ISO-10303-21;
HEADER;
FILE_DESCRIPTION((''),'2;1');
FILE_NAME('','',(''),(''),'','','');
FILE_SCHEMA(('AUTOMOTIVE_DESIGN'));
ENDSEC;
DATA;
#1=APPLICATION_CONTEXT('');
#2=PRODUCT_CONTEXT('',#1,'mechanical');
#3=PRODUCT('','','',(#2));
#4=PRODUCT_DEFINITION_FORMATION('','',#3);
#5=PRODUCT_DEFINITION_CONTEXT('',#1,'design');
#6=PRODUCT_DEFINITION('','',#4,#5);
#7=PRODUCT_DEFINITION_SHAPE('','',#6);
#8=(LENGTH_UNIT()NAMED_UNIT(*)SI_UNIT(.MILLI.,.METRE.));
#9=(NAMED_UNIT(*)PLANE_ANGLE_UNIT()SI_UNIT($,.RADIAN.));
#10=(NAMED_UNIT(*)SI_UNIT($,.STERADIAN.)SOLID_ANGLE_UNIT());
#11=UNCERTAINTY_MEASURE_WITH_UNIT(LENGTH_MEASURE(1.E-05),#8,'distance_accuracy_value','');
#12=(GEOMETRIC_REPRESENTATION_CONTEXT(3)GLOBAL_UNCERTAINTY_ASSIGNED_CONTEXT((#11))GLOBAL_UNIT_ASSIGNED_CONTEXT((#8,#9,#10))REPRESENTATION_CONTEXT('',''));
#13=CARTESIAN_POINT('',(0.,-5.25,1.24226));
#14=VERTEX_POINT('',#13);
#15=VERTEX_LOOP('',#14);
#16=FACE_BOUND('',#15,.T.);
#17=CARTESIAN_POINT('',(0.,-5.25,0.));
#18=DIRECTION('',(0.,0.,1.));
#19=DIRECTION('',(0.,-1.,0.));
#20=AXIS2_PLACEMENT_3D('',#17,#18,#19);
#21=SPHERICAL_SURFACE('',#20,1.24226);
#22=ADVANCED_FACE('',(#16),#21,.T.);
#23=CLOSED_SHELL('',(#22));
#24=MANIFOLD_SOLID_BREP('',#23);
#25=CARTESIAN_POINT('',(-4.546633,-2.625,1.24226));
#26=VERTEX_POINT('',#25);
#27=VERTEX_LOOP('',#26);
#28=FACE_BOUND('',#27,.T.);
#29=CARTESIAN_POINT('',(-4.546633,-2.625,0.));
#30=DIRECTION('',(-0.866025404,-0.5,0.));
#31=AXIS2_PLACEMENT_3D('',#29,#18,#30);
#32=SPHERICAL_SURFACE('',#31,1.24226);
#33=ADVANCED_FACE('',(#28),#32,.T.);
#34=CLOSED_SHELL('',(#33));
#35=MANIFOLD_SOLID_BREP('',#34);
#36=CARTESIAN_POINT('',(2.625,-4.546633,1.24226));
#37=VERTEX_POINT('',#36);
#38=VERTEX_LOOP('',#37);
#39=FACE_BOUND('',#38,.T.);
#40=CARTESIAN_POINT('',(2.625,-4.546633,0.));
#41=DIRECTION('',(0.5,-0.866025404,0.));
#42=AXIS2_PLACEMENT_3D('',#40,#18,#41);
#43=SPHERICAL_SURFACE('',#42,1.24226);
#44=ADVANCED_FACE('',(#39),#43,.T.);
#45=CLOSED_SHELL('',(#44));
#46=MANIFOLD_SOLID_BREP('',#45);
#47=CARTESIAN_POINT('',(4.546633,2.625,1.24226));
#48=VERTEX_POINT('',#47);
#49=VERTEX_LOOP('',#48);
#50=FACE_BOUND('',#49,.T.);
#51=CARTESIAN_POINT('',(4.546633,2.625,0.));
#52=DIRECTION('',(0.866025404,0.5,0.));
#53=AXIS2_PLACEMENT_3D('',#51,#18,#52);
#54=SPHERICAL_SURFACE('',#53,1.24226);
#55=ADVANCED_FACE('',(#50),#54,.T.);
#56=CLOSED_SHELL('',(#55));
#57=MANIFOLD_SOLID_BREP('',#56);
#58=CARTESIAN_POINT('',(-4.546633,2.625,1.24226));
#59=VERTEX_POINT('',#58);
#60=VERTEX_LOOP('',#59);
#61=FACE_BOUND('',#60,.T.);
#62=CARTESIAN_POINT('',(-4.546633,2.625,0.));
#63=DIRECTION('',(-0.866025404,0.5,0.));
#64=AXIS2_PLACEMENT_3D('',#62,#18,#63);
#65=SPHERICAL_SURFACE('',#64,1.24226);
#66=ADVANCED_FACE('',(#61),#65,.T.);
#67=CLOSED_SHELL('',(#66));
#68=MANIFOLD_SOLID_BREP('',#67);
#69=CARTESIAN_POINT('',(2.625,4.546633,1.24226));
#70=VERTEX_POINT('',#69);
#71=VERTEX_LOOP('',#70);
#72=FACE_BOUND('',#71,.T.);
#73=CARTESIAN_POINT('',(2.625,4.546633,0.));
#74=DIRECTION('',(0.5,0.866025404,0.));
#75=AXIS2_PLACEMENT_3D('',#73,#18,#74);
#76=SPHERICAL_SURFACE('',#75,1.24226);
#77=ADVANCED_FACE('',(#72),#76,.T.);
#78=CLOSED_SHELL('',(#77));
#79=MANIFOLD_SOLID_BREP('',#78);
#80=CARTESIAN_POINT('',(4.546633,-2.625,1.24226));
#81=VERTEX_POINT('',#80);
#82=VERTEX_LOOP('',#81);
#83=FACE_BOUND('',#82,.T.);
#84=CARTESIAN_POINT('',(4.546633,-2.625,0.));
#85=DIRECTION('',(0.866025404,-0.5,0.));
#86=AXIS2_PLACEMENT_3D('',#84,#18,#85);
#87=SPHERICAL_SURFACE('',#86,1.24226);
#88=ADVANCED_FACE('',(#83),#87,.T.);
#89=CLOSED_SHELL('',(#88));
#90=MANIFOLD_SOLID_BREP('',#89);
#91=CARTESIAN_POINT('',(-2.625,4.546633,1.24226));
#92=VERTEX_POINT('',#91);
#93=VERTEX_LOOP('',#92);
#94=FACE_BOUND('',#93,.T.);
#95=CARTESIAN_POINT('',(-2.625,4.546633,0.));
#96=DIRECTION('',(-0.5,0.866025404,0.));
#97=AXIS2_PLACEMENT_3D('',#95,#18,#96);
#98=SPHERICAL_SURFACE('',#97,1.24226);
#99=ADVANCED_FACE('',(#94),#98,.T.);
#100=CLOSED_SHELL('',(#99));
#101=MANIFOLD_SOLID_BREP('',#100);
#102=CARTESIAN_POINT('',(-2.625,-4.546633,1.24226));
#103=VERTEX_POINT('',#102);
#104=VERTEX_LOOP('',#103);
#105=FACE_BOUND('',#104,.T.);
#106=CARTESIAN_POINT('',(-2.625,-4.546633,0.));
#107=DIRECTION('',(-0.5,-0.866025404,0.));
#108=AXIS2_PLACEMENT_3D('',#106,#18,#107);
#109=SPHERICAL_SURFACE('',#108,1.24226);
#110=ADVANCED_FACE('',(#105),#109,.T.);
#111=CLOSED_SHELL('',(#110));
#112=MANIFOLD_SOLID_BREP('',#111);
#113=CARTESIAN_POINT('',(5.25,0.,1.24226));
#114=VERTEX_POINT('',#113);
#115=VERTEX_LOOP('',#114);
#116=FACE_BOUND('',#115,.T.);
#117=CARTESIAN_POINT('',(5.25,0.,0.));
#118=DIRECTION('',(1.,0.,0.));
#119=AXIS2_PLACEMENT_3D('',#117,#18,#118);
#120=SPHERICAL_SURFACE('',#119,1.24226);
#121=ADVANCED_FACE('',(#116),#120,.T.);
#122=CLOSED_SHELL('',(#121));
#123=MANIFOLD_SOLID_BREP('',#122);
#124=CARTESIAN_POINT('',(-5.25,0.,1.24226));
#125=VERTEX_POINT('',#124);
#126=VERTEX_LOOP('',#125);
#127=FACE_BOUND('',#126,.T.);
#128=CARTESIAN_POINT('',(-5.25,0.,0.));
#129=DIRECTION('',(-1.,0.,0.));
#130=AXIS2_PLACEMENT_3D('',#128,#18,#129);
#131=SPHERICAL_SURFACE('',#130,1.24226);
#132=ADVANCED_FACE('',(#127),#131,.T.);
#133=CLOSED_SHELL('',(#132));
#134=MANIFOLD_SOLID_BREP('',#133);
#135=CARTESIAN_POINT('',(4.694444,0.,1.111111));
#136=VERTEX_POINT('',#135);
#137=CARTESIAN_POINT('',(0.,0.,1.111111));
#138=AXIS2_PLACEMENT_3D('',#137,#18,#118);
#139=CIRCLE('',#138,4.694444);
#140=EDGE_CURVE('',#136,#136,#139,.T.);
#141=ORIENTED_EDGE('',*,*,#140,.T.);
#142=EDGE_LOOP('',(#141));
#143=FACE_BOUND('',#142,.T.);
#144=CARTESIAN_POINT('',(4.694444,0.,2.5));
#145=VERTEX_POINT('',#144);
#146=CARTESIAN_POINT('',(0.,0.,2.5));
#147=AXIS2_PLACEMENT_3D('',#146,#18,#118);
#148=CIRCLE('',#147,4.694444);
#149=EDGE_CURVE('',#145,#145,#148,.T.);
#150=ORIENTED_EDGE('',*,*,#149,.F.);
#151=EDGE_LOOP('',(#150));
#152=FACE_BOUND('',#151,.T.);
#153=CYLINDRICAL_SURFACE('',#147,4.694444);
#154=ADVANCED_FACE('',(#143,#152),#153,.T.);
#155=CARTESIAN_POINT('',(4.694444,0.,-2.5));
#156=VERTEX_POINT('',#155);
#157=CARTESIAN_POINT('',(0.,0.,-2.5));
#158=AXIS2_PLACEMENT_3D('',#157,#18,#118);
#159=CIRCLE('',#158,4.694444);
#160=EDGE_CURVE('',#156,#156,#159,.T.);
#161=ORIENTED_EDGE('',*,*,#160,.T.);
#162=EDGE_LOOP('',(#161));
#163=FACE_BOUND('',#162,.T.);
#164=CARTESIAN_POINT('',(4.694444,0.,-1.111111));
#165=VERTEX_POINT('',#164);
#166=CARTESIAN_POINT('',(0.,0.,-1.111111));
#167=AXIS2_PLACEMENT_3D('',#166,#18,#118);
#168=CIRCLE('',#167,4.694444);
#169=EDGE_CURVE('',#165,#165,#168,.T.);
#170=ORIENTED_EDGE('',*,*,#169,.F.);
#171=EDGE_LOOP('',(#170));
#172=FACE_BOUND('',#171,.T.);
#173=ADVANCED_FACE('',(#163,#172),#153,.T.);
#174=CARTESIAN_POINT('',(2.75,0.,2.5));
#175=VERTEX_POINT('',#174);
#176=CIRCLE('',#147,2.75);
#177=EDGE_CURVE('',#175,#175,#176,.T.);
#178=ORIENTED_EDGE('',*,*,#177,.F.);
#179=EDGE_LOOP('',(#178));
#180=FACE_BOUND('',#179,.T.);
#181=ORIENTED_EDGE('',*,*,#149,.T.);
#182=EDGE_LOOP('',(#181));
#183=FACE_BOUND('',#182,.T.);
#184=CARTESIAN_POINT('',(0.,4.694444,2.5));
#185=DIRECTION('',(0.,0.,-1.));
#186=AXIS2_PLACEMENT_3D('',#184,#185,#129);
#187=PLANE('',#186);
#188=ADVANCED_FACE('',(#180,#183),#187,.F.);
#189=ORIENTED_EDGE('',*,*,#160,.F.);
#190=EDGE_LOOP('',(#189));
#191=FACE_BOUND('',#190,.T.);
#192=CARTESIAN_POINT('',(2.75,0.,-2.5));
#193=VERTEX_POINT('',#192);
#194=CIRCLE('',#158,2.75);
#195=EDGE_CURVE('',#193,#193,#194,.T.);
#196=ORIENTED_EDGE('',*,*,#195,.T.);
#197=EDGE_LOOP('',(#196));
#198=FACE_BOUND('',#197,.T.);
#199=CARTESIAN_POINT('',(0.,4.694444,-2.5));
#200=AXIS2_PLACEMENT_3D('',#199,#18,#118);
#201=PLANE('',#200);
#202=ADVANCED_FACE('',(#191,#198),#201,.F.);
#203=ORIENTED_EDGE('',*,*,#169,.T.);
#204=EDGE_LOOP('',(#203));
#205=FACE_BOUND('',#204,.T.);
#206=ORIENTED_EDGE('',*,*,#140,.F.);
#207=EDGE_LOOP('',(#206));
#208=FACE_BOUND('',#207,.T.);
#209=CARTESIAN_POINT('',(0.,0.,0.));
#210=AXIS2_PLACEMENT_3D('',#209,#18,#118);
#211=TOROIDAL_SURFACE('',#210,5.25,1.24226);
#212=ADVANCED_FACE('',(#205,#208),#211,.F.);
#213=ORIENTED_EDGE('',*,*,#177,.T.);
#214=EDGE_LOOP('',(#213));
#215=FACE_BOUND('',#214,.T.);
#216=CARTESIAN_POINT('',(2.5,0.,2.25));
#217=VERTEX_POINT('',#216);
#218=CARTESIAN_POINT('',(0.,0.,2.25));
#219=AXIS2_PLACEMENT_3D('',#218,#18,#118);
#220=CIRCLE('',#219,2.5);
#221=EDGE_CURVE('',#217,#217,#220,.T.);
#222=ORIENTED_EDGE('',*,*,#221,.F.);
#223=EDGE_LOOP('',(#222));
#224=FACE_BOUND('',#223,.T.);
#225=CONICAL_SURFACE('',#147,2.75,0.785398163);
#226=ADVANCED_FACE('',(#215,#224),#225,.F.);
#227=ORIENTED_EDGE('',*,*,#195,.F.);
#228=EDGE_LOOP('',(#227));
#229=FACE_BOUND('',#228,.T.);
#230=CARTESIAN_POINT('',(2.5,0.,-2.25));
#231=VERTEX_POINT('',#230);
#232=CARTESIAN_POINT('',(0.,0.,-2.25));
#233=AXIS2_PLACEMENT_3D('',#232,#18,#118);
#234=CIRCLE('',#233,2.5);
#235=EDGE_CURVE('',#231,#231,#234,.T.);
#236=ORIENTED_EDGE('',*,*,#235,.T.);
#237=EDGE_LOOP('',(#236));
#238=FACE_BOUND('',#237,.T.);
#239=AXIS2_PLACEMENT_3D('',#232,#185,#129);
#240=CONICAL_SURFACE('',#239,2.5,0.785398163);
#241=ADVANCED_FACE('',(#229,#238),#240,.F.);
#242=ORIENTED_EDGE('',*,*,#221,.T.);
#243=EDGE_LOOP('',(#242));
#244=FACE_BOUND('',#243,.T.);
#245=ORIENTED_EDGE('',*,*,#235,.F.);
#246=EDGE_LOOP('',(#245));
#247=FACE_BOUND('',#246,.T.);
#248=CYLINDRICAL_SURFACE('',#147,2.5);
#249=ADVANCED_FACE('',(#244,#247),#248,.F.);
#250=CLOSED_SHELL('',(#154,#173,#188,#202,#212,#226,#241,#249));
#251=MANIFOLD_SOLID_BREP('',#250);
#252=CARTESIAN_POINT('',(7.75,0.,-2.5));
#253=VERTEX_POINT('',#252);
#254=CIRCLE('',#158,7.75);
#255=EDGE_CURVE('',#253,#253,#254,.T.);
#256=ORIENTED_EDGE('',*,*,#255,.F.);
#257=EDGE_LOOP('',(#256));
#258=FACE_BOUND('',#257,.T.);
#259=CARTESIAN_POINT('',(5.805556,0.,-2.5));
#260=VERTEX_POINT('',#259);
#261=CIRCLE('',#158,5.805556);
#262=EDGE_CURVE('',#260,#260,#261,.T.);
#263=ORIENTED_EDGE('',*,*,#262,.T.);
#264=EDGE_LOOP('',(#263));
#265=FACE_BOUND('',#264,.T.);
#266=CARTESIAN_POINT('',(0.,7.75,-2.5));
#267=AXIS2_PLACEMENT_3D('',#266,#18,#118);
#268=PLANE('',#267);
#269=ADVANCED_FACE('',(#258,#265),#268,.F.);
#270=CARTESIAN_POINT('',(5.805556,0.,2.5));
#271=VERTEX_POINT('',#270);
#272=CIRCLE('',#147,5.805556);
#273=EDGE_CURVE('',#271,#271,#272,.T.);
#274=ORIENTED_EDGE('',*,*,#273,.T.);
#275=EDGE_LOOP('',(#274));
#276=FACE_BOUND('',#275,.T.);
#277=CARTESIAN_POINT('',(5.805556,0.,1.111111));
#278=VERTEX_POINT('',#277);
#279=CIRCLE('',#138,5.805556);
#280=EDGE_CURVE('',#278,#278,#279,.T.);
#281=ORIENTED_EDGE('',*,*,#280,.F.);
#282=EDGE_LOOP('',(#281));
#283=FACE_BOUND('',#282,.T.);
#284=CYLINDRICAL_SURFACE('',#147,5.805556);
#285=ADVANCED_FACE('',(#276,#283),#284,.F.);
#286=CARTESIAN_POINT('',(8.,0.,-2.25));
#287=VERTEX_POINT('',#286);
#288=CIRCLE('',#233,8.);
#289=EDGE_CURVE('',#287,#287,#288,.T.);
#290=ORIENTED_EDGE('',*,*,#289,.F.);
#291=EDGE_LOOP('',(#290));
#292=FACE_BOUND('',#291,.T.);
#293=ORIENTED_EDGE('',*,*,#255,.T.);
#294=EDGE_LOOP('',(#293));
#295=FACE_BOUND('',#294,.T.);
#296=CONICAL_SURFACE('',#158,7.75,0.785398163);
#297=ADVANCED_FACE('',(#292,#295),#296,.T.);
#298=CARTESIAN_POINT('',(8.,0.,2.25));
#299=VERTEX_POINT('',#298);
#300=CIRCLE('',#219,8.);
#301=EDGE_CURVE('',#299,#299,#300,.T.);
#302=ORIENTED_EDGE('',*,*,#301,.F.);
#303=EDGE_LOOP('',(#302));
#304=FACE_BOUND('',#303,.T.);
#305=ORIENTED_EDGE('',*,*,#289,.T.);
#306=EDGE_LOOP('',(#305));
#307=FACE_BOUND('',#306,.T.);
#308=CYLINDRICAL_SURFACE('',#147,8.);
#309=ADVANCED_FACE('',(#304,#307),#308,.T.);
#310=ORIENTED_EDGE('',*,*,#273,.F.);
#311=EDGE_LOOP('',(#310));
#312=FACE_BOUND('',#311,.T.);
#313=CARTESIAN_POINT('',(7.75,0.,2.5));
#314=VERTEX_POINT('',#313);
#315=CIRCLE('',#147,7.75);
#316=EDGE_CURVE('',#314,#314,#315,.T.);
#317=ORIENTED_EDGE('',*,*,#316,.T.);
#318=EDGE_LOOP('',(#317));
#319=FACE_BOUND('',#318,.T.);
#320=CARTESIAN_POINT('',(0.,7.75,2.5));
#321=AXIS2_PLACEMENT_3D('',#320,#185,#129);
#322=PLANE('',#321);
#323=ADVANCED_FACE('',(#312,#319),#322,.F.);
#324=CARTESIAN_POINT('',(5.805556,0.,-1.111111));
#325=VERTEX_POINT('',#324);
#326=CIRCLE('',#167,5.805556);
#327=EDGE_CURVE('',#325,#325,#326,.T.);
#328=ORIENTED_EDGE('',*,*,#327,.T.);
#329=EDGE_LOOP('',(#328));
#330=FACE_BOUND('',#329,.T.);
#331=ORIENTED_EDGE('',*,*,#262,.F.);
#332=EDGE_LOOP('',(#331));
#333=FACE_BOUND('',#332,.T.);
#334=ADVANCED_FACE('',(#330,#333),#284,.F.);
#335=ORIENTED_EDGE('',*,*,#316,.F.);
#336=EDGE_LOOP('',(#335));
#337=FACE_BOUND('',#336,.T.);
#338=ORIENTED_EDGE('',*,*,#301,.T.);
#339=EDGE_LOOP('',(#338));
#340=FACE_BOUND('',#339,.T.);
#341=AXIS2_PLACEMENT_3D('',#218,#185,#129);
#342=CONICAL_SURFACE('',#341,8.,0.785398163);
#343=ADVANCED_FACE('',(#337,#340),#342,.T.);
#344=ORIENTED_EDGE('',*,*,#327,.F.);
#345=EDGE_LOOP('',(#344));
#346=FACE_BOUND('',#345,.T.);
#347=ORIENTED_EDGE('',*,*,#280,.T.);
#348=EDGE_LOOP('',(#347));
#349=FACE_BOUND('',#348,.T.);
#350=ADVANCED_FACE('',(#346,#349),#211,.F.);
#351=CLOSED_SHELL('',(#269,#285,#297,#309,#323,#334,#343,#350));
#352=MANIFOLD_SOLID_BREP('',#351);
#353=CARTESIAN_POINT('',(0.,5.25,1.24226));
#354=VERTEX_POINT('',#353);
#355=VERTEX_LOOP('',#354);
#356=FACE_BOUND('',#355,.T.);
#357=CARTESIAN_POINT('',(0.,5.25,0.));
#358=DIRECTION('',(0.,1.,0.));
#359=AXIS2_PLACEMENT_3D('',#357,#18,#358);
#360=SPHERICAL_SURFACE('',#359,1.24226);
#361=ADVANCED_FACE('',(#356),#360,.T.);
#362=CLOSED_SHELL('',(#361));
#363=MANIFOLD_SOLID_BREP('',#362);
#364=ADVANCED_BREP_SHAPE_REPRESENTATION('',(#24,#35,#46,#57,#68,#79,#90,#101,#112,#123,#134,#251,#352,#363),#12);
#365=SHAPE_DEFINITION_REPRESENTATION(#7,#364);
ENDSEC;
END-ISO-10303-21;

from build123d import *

# Parameters (mm, degrees)
CIRPATTERN1_COUNT = 12


with BuildPart() as part:
    # Sketch2 → Revolve1 (revolve)
    with BuildSketch(Plane(origin=(0, 0, 0), x_dir=(0, 0, -1), z_dir=(1, 0, 0))):
        with BuildLine():
            Line((-2.5, 4.694444444), (-1.111111111, 4.694444444))
            ThreePointArc((-1.111111111, 4.694444444), (0, 4.007740013), (1.111111111, 4.694444444))
            Line((1.111111111, 4.694444444), (2.5, 4.694444444))
            Line((2.5, 4.694444444), (2.5, 2.75))
            Line((2.5, 2.75), (2.25, 2.5))
            Line((2.25, 2.5), (-2.25, 2.5))
            Line((-2.25, 2.5), (-2.5, 2.75))
            Line((-2.5, 2.75), (-2.5, 4.694444444))
        make_face()
        with BuildLine():
            Line((2.25, 8), (2.5, 7.75))
            Line((2.5, 7.75), (2.5, 5.805555556))
            Line((2.5, 5.805555556), (1.111111111, 5.805555556))
            ThreePointArc((1.111111111, 5.805555556), (0, 6.492259987), (-1.111111111, 5.805555556))
            Line((-1.111111111, 5.805555556), (-2.5, 5.805555556))
            Line((-2.5, 5.805555556), (-2.5, 7.75))
            Line((-2.5, 7.75), (-2.25, 8))
            Line((-2.25, 8), (2.25, 8))
        make_face()
    revolve(axis=Axis((0, 0, 2.5), (0, 0, -1)))


with BuildPart() as body_2:
    # Sketch3 → Revolve2 (revolve)
    with BuildSketch(Plane(origin=(0, 0, 0), x_dir=(0, 0, -1), z_dir=(1, 0, 0))):
        with BuildLine():
            Line((-1.242259987, 5.25), (1.242259987, 5.25))
            ThreePointArc((1.242259987, 5.25), (0, 6.492259987), (-1.242259987, 5.25))
        make_face()
    revolve(axis=Axis((0, 5.25, 1.242259987), (0, 0, -1)))


with BuildPart() as cirpattern1_1:
    # CirPattern1: pattern copy
    add(body_2.part.rotate(Axis((0, 0, -2.5), (0, 0, 1)), 1 * 360 / CIRPATTERN1_COUNT))


with BuildPart() as cirpattern1_2:
    # CirPattern1: pattern copy
    add(body_2.part.rotate(Axis((0, 0, -2.5), (0, 0, 1)), 2 * 360 / CIRPATTERN1_COUNT))


with BuildPart() as cirpattern1_3:
    # CirPattern1: pattern copy
    add(body_2.part.rotate(Axis((0, 0, -2.5), (0, 0, 1)), 3 * 360 / CIRPATTERN1_COUNT))


with BuildPart() as cirpattern1_4:
    # CirPattern1: pattern copy
    add(body_2.part.rotate(Axis((0, 0, -2.5), (0, 0, 1)), 4 * 360 / CIRPATTERN1_COUNT))


with BuildPart() as cirpattern1_5:
    # CirPattern1: pattern copy
    add(body_2.part.rotate(Axis((0, 0, -2.5), (0, 0, 1)), 5 * 360 / CIRPATTERN1_COUNT))


with BuildPart() as cirpattern1_6:
    # CirPattern1: pattern copy
    add(body_2.part.rotate(Axis((0, 0, -2.5), (0, 0, 1)), 6 * 360 / CIRPATTERN1_COUNT))


with BuildPart() as cirpattern1_7:
    # CirPattern1: pattern copy
    add(body_2.part.rotate(Axis((0, 0, -2.5), (0, 0, 1)), 7 * 360 / CIRPATTERN1_COUNT))


with BuildPart() as cirpattern1_8:
    # CirPattern1: pattern copy
    add(body_2.part.rotate(Axis((0, 0, -2.5), (0, 0, 1)), 8 * 360 / CIRPATTERN1_COUNT))


with BuildPart() as cirpattern1_9:
    # CirPattern1: pattern copy
    add(body_2.part.rotate(Axis((0, 0, -2.5), (0, 0, 1)), 9 * 360 / CIRPATTERN1_COUNT))


with BuildPart() as cirpattern1_10:
    # CirPattern1: pattern copy
    add(body_2.part.rotate(Axis((0, 0, -2.5), (0, 0, 1)), 10 * 360 / CIRPATTERN1_COUNT))


with BuildPart() as cirpattern1_11:
    # CirPattern1: pattern copy
    add(body_2.part.rotate(Axis((0, 0, -2.5), (0, 0, 1)), 11 * 360 / CIRPATTERN1_COUNT))


solid = Compound([part.part, body_2.part, cirpattern1_1.part, cirpattern1_2.part, cirpattern1_3.part, cirpattern1_4.part, cirpattern1_5.part, cirpattern1_6.part, cirpattern1_7.part, cirpattern1_8.part, cirpattern1_9.part, cirpattern1_10.part, cirpattern1_11.part])
